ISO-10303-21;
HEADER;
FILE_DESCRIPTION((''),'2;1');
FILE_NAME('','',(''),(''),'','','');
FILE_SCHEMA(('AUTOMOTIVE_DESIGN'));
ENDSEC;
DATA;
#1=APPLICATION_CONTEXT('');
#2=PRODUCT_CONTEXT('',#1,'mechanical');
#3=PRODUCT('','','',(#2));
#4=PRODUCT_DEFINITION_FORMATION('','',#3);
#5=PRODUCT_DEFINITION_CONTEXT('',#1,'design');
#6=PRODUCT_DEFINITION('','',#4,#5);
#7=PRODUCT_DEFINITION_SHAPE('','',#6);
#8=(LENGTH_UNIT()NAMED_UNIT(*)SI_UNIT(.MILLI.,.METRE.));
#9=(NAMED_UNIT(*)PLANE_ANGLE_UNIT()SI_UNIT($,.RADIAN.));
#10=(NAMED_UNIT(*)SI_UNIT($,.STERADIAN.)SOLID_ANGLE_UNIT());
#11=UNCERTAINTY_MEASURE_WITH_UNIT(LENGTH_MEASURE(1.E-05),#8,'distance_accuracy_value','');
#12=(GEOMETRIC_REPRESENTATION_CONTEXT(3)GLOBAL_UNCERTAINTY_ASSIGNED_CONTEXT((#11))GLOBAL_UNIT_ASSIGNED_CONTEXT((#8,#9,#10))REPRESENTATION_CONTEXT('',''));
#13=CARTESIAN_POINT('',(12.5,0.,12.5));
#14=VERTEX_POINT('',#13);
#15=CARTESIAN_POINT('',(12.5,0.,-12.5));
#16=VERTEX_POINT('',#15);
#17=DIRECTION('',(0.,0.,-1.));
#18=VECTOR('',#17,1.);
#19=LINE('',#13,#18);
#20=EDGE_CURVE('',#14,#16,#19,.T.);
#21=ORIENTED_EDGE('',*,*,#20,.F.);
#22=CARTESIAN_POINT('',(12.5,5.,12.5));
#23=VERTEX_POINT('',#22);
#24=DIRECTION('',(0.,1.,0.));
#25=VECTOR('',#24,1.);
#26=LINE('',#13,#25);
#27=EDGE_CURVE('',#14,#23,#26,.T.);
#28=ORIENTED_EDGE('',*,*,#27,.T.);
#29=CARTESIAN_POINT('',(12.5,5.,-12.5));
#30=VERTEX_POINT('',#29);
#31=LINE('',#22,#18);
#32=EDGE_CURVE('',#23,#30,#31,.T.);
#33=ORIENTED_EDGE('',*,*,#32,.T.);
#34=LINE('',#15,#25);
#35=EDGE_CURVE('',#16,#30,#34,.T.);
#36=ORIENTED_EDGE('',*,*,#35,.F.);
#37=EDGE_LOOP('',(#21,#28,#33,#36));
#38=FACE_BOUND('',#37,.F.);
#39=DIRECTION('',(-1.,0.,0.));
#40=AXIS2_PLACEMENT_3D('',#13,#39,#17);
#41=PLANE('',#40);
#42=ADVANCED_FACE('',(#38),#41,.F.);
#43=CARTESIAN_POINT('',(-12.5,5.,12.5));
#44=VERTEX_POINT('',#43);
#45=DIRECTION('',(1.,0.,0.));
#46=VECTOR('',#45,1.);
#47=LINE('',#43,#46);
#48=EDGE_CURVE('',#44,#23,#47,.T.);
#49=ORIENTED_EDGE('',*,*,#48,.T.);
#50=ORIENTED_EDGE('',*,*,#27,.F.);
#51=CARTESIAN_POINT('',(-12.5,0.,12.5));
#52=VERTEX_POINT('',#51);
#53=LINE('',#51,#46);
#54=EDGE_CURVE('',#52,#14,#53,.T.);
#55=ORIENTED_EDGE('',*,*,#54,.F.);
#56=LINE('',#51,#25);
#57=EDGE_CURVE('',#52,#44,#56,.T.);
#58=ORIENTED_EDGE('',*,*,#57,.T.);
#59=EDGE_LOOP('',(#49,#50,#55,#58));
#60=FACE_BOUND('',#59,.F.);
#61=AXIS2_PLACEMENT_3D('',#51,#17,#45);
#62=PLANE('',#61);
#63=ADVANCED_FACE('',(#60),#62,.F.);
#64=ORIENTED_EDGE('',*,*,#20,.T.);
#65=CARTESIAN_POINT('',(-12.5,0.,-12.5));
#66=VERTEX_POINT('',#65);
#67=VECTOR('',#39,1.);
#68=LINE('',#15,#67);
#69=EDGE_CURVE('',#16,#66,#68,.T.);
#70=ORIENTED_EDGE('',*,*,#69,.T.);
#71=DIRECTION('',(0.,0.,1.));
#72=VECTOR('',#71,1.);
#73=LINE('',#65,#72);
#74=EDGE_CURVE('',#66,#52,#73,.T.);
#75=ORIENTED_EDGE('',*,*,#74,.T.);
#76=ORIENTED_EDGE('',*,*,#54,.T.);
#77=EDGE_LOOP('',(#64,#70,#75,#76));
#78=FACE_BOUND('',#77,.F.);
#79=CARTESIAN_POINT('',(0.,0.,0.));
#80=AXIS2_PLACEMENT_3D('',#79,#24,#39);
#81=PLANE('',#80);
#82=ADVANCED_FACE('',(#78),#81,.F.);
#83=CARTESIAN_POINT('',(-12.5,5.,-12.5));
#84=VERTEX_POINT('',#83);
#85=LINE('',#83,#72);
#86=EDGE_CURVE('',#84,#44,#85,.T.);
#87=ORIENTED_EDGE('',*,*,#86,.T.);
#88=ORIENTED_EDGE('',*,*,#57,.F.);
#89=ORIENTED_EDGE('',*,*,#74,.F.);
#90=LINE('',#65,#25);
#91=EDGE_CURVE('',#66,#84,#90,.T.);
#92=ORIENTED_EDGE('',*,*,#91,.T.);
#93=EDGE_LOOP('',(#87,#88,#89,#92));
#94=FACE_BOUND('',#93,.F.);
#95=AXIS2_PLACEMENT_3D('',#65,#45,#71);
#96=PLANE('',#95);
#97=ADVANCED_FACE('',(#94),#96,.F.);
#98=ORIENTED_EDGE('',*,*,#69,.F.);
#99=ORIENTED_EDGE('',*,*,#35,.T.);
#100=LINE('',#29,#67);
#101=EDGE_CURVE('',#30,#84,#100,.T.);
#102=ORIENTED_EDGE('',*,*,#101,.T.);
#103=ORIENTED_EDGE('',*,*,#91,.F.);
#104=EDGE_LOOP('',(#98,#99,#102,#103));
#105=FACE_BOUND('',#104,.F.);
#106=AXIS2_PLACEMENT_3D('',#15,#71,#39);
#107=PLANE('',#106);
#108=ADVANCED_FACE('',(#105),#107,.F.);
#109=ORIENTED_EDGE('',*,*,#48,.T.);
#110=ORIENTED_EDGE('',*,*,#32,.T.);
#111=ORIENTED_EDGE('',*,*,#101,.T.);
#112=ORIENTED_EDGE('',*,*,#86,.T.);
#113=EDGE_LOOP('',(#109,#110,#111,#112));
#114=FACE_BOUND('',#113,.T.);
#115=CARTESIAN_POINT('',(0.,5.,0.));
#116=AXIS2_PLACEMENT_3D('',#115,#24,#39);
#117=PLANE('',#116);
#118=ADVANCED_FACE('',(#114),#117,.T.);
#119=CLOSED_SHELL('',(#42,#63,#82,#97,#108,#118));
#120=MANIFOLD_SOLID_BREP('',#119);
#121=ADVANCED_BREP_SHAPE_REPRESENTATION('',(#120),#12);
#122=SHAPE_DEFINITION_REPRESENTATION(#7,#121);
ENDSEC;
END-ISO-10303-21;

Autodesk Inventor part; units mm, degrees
ref_plane "YZ Plane" through (0, 0, 0) normal (1, 0, 0) x (0, 1, 0)
ref_plane "XZ Plane" through (0, 0, 0) normal (0, 1, 0) x (-1, 0, 0)
ref_plane "XY Plane" through (0, 0, 0) normal (0, 0, 1) x (1, 0, 0)
sketch "Sketch1" plane through (0, 0, 0) normal (0, 1, 0) x (-1, 0, 0)
  line L0 (-12.5, -12.5) -> (12.5, -12.5)
  line L1 (12.5, -12.5) -> (12.5, 12.5)
  line L2 (12.5, 12.5) -> (-12.5, 12.5)
  line L3 (-12.5, 12.5) -> (-12.5, -12.5)
  line L4 (-12.5, -12.5) -> (12.5, 12.5) construction
  line L5 (12.5, -12.5) -> (-12.5, 12.5) construction
  point P0 (0, 0)
  dimension "d0" = 25
  dimension "d1" = 25
extrude "Extrusion1" add sketch "Sketch1" along normal blind 5
properties part number "Marker"
